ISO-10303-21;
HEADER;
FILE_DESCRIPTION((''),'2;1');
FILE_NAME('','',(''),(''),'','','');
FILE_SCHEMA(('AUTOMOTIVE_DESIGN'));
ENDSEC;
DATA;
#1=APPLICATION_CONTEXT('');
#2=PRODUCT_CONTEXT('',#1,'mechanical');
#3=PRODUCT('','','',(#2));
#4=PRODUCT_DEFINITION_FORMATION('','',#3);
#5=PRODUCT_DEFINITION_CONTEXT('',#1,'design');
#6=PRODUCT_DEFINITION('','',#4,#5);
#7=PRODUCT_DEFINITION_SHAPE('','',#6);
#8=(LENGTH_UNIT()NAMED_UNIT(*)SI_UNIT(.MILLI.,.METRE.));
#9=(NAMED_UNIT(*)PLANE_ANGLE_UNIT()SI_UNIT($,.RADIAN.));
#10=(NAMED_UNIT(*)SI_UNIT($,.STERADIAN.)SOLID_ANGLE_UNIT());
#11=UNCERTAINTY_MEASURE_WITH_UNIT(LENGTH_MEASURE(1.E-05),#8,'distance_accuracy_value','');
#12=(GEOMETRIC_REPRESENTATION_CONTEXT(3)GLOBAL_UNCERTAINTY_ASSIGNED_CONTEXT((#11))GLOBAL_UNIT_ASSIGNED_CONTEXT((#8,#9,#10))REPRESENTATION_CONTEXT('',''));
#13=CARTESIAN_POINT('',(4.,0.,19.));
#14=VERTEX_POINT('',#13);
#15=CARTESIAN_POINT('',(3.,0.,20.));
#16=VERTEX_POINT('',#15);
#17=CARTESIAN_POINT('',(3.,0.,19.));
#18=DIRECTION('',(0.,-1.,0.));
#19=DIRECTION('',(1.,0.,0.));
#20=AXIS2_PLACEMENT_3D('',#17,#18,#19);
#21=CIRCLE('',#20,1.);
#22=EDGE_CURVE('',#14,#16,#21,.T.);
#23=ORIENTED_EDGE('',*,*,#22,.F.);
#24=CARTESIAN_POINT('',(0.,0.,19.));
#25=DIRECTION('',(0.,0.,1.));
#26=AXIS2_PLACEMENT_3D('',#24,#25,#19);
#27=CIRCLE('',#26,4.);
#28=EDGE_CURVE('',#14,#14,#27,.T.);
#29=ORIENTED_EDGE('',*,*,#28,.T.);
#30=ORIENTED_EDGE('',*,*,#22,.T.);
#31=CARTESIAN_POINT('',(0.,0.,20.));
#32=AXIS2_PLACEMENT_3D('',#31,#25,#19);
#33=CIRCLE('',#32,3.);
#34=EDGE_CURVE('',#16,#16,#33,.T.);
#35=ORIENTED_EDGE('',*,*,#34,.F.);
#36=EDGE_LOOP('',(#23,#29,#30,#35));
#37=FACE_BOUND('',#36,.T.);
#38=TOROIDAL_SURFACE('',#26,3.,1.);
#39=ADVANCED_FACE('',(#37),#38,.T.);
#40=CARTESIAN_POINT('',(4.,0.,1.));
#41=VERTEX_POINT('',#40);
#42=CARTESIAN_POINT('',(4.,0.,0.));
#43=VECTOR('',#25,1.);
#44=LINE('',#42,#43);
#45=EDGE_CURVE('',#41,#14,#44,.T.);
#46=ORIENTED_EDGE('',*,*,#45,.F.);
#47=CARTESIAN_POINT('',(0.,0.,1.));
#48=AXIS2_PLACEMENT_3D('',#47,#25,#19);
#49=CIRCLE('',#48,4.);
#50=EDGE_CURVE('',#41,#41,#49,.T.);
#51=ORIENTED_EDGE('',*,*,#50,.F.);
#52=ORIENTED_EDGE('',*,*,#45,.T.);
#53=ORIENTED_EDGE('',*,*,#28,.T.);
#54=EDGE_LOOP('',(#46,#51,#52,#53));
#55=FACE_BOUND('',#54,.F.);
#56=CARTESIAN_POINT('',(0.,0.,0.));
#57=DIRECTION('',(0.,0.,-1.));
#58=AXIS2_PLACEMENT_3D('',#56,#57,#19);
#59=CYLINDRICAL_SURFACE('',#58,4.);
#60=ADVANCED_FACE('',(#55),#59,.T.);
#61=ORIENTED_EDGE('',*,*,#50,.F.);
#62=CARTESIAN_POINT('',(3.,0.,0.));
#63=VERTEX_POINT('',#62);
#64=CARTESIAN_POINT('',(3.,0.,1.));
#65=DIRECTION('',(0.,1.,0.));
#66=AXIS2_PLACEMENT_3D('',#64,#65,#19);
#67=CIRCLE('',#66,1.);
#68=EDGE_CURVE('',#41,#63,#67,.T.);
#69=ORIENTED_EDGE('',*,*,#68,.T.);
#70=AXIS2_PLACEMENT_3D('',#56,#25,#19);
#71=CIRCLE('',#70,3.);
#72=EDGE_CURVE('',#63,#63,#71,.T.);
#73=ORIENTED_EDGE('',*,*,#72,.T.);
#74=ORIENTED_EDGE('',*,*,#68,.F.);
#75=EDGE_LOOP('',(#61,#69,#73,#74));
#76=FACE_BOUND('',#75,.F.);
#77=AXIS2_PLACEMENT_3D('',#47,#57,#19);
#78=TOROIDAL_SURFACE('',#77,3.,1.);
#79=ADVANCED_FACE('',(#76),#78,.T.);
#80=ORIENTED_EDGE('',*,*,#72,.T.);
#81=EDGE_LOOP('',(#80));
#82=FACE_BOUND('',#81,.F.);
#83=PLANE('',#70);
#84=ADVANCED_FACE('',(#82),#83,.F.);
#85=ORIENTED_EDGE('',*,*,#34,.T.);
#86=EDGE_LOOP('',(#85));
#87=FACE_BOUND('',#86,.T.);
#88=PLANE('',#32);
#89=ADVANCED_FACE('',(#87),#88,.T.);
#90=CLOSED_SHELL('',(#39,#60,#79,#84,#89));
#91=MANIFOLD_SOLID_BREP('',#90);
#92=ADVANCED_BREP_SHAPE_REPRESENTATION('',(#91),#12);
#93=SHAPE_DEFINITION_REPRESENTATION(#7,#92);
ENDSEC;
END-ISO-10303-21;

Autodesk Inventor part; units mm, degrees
ref_plane "YZ Plane" through (0, 0, 0) normal (1, 0, 0) x (0, 1, 0)
ref_plane "XZ Plane" through (0, 0, 0) normal (0, 1, 0) x (-1, 0, 0)
ref_plane "XY Plane" through (0, 0, 0) normal (0, 0, 1) x (1, 0, 0)
sketch "Sketch1" plane through (0, 0, 0) normal (0, 0, 1) x (1, 0, 0)
  circle A0 centre (0, 0) radius 4
  dimension "d0" = 8
extrude "Extrusion1" add sketch "Sketch1" along normal blind 20
fillet "Fillet1" radius 1 2 edges at (-4, 0, 20) (-4, 0, 0)
properties part number "extruder_bearing_shaft" material "Stainless Steel, Austenitic"
